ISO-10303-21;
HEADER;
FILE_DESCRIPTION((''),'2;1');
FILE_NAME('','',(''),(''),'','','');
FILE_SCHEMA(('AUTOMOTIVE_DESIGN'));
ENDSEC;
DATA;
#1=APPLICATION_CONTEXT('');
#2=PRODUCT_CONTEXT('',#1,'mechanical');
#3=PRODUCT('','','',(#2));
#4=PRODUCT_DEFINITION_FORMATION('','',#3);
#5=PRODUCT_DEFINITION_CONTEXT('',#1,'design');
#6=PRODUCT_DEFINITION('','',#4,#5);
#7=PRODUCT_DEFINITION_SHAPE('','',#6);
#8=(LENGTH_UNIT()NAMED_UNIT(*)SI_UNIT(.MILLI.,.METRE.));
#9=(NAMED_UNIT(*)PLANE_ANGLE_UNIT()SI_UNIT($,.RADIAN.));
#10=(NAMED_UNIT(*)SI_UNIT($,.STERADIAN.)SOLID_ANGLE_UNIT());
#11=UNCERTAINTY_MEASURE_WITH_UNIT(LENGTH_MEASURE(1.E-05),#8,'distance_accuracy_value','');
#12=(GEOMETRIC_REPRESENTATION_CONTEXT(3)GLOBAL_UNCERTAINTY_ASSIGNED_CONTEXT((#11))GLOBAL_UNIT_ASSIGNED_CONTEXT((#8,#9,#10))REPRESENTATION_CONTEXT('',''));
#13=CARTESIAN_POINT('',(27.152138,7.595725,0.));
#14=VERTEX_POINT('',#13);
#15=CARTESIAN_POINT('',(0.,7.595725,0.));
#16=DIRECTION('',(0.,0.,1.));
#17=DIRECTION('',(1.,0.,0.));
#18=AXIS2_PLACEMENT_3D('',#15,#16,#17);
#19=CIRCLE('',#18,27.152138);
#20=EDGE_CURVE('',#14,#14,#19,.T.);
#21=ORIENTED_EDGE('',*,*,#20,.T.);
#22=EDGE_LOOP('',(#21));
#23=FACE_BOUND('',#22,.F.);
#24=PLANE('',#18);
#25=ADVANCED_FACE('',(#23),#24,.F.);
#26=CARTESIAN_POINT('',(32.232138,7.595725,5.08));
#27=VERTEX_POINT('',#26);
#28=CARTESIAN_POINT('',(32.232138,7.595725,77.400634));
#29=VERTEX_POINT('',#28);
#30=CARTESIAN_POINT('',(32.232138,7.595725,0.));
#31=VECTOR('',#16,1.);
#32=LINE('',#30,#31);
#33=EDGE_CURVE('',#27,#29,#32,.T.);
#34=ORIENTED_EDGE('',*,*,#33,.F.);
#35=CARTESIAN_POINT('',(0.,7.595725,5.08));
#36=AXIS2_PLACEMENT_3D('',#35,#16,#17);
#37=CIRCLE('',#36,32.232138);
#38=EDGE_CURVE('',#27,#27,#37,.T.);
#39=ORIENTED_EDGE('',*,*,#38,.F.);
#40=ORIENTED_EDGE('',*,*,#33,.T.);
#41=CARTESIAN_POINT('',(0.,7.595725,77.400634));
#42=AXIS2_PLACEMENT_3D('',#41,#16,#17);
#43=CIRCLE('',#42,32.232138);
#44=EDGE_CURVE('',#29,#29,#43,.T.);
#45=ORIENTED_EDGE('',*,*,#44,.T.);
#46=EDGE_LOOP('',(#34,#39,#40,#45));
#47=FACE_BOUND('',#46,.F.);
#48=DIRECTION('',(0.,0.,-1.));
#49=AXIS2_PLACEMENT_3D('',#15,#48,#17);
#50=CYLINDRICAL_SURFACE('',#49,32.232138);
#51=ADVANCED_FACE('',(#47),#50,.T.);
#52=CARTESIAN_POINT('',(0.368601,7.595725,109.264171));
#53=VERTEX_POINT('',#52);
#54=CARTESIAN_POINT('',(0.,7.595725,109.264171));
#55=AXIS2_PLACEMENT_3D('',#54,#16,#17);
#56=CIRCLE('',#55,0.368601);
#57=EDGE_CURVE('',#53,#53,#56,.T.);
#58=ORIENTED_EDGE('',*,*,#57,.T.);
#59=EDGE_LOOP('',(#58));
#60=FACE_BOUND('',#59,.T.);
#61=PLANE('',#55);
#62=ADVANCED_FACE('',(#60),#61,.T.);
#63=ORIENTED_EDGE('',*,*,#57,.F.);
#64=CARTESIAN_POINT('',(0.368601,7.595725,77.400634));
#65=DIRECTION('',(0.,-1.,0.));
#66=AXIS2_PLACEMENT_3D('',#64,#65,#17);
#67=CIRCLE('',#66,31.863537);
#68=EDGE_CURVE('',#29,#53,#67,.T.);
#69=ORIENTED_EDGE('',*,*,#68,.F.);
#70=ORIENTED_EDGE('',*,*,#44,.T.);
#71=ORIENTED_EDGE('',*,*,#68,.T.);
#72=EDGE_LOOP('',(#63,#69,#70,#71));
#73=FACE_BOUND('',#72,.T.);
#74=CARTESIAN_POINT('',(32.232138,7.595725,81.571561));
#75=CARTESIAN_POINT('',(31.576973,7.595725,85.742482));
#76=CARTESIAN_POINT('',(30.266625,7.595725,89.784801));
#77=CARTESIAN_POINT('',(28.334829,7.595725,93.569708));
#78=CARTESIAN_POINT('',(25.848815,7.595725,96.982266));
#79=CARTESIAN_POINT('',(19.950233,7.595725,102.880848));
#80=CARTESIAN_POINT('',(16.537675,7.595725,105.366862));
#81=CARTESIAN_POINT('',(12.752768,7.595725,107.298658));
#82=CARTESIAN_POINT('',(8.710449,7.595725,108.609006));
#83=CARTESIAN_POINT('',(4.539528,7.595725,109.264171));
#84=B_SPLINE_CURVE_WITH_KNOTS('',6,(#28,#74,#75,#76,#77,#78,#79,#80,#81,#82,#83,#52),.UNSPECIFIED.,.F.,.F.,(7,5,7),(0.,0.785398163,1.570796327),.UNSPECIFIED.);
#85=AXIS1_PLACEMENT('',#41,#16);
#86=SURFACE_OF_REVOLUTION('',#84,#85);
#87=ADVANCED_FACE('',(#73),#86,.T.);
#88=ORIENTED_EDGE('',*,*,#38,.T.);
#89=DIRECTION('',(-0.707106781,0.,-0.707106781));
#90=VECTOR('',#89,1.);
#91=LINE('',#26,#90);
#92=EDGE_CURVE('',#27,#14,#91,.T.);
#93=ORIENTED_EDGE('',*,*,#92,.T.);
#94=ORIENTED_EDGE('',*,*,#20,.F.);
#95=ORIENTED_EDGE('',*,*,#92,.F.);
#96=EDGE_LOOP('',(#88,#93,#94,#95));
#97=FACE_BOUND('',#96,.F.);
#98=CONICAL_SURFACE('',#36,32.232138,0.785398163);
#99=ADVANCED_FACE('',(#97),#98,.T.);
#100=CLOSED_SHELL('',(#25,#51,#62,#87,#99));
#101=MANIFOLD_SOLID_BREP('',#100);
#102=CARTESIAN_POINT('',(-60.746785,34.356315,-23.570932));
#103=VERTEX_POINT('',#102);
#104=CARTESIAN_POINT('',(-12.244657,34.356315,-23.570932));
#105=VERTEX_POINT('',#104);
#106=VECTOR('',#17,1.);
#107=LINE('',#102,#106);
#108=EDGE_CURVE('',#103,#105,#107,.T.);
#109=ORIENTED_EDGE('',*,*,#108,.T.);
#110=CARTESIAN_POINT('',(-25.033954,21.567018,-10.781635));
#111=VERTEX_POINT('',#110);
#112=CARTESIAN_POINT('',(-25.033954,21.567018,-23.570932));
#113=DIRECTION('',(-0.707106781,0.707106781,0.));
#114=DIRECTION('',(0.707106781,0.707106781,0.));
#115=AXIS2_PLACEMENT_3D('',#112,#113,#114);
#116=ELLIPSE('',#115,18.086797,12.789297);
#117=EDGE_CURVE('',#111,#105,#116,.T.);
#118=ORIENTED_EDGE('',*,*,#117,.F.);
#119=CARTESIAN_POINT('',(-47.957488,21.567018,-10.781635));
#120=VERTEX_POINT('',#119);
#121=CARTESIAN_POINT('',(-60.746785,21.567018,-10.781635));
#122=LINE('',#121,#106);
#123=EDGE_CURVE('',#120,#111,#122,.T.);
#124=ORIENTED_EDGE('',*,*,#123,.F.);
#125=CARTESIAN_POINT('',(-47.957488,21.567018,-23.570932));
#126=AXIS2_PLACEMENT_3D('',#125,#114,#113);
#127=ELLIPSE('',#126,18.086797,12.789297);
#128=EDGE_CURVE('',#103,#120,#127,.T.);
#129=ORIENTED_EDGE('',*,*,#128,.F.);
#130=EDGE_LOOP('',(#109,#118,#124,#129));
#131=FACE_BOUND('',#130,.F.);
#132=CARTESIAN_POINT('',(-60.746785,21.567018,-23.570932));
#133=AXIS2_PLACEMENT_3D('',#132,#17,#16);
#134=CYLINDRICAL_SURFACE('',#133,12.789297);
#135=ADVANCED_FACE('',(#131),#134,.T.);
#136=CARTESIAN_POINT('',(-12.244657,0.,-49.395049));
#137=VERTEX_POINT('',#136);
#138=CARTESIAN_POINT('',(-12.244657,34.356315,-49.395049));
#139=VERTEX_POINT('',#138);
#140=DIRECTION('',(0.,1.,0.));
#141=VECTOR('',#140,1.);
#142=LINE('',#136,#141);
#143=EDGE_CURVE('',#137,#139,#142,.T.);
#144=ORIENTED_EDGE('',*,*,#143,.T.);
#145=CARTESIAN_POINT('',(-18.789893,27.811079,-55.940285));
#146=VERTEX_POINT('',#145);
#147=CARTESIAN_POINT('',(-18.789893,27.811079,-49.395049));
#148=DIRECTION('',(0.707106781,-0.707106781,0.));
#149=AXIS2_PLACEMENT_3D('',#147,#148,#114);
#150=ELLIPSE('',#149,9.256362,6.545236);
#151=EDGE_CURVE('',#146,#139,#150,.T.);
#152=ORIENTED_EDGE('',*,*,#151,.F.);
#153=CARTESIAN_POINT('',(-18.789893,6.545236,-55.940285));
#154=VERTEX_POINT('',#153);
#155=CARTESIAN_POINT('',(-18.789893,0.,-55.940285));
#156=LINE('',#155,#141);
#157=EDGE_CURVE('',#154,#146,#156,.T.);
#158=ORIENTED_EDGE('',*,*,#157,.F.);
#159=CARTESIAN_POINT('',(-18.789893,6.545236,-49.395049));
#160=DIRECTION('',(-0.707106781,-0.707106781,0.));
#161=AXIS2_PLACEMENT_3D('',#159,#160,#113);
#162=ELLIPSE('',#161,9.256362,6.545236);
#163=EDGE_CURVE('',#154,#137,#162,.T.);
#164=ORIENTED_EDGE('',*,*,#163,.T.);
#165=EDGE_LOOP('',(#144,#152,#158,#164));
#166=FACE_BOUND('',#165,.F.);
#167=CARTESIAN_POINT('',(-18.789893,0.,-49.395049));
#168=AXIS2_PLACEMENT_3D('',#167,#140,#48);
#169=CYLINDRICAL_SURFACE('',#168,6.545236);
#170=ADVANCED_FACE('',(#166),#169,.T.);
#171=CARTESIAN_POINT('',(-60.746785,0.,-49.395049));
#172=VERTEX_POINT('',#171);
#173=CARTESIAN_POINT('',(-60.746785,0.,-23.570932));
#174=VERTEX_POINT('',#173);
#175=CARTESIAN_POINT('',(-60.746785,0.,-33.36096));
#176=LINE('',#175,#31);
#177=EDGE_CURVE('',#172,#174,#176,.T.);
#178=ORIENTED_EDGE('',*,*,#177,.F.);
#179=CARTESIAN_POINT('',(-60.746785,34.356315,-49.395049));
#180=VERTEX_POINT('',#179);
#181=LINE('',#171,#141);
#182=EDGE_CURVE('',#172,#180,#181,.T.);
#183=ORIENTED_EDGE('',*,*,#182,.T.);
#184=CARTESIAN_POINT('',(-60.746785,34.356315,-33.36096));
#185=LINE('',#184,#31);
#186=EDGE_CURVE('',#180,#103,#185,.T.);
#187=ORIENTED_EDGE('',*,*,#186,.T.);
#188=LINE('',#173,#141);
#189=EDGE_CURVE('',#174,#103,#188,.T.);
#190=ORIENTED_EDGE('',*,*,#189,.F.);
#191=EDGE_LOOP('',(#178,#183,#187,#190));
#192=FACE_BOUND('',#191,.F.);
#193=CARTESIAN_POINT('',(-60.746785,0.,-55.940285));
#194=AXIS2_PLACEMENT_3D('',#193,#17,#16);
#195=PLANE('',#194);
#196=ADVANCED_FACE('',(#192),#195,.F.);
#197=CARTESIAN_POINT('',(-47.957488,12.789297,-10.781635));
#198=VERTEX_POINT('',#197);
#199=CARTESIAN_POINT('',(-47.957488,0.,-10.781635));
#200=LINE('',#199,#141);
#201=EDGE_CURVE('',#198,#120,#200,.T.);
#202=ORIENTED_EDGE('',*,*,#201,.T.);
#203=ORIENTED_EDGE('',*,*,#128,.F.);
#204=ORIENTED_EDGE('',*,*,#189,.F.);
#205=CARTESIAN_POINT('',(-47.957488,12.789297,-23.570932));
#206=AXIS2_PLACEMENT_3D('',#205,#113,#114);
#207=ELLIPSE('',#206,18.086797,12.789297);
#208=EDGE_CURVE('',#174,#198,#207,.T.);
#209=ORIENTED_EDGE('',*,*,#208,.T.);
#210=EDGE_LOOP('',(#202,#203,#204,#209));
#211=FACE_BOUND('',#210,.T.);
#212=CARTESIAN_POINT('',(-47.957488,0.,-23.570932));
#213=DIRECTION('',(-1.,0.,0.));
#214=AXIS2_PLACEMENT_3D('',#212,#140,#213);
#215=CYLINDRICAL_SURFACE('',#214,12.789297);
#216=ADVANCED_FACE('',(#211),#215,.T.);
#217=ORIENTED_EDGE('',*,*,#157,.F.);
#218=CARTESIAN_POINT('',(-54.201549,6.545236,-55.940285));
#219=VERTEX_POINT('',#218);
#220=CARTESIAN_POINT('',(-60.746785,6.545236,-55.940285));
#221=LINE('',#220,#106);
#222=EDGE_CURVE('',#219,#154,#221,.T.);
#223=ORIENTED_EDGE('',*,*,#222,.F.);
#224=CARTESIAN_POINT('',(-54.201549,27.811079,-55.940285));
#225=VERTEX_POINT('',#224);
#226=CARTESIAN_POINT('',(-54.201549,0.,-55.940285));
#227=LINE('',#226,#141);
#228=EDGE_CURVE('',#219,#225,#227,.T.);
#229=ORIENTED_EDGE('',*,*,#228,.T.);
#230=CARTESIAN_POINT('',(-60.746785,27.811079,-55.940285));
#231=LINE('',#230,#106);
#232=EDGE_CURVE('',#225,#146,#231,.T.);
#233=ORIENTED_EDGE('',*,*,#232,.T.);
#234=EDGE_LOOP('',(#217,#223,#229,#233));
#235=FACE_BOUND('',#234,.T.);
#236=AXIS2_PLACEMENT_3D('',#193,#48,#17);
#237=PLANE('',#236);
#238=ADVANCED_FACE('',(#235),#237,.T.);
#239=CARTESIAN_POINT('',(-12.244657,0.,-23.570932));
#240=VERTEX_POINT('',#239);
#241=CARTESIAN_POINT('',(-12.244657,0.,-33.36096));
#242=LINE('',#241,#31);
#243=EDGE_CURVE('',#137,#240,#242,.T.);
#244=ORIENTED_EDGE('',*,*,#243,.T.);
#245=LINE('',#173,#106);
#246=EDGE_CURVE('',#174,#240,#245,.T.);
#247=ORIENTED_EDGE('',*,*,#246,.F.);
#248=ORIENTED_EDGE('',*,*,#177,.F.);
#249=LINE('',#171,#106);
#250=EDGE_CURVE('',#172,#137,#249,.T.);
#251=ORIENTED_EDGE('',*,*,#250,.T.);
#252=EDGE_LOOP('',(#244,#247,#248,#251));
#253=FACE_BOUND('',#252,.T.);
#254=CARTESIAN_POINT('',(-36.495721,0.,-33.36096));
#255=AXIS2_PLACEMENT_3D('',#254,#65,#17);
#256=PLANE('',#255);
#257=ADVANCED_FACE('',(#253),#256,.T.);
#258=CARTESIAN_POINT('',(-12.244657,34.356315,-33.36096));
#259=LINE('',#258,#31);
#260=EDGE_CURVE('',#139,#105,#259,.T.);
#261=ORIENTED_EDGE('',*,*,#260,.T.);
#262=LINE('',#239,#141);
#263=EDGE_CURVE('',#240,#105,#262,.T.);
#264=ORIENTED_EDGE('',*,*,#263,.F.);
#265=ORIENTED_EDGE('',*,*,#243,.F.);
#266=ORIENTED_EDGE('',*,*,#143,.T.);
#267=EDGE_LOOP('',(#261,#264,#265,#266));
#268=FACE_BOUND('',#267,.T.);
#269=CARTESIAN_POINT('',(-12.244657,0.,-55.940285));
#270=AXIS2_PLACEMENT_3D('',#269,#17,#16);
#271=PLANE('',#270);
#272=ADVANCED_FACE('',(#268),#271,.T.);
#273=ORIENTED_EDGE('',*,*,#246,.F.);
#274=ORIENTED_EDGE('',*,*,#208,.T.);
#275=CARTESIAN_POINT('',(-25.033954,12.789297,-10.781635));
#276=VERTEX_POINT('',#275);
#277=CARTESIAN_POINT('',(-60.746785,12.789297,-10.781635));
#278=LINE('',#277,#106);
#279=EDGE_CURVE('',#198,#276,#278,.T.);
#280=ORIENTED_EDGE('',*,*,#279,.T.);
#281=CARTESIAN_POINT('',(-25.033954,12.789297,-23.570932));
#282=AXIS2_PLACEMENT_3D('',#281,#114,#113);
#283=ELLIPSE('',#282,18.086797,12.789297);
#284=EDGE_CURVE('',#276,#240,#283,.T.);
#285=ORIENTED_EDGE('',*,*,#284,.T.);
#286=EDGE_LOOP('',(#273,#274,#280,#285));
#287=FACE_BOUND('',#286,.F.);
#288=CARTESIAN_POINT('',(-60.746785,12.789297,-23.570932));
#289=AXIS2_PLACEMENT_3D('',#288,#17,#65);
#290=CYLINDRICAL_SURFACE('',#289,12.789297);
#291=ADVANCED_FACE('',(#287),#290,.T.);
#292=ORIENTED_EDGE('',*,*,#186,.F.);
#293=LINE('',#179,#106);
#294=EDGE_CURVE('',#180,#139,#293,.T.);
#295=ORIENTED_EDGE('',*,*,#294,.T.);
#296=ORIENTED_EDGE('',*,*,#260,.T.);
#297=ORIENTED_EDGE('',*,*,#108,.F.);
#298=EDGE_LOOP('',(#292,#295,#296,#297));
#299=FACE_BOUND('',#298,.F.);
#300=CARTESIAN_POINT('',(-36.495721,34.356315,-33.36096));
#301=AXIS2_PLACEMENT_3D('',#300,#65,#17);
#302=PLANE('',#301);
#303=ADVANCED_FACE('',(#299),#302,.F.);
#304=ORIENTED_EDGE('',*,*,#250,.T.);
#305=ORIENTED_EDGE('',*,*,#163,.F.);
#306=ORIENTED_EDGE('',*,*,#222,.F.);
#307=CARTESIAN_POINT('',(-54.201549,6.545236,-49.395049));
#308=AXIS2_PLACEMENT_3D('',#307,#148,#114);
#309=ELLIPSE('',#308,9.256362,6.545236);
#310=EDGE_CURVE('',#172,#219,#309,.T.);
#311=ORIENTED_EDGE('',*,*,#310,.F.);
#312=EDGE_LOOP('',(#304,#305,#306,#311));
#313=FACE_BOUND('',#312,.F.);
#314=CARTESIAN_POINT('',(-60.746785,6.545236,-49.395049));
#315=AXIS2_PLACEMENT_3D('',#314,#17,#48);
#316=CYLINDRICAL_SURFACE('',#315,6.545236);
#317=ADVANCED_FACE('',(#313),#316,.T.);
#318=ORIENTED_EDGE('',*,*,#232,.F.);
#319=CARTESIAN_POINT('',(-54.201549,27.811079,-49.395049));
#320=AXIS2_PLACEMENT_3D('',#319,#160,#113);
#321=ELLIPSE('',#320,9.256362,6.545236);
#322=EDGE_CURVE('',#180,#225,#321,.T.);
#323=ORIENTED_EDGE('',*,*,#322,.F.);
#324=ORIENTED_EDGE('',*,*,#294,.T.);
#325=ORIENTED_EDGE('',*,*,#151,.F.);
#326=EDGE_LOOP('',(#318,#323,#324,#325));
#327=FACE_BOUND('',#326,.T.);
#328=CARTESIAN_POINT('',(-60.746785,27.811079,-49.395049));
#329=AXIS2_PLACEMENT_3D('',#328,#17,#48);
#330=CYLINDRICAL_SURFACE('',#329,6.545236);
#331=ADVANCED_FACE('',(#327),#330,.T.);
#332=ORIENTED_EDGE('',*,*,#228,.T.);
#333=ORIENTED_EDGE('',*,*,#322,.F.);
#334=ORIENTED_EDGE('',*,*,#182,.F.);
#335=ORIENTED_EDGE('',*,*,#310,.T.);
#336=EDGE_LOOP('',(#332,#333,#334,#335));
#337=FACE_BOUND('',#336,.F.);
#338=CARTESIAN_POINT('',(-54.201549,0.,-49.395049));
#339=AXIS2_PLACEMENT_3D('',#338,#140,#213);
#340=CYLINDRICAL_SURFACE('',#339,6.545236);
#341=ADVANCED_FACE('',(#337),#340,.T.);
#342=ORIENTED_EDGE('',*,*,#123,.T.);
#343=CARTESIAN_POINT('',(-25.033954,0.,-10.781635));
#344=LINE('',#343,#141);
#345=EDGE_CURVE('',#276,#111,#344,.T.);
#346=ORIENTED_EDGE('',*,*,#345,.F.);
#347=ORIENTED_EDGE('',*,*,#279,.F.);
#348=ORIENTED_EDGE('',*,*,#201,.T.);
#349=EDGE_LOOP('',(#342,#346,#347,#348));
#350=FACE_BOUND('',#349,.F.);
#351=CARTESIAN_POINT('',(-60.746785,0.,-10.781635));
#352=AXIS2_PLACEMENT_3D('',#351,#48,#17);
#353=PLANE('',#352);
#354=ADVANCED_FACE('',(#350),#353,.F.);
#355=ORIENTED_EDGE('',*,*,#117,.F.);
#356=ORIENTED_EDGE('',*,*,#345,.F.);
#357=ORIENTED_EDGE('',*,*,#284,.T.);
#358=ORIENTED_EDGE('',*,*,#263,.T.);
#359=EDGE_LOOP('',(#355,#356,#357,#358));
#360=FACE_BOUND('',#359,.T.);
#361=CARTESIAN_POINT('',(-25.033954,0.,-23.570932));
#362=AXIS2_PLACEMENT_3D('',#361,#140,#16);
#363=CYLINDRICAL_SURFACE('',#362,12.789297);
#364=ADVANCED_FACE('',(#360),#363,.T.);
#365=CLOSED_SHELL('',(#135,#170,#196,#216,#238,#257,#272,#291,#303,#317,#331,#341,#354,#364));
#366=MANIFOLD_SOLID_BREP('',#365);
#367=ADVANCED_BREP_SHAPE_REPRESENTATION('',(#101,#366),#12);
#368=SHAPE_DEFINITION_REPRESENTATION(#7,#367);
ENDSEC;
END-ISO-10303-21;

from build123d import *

# Parameters (mm, degrees)
F0_R     = 32.232138
F1_DEPTH = 109.264171
F2_W     = 48.502128
F2_H     = 45.15865
F3_DEPTH = 34.356315
F4_R     = 6.545236
F5_R     = 12.789297
F6_R     = 31.863537
F7_SIZE  = 5.08


with BuildPart() as f1:
    # F0 (on Top) → F1 (new body)
    with BuildSketch(Plane.XY):
        with Locations((0, 7.595725)):
            Circle(F0_R)
    extrude(amount=F1_DEPTH)

    # F6
    f6_edges = [f1.edges().sort_by_distance(p)[0] for p in [
        (-32.232138, 7.595725, 109.264171),
    ]]
    fillet(f6_edges, radius=F6_R)

    # F7
    f7_edges = [f1.edges().sort_by_distance(p)[0] for p in [
        (-32.232138, 7.595725, 0),
    ]]
    chamfer(f7_edges, length=F7_SIZE)


with BuildPart() as f3:
    # F2 (on Front) → F3 (new body)
    with BuildSketch(Plane.XZ):
        with Locations((-36.495721, -33.36096)):
            Rectangle(F2_W, F2_H)
    extrude(amount=-F3_DEPTH)

    # F4
    f4_edges = [f3.edges().sort_by_distance(p)[0] for p in [
        (-60.746785, 17.178157, -55.940285),
        (-12.244657, 17.178157, -55.940285),
        (-36.495721, 0, -55.940285),
        (-36.495721, 34.356315, -55.940285),
    ]]
    fillet(f4_edges, radius=F4_R)

    # F5
    f5_edges = [f3.edges().sort_by_distance(p)[0] for p in [
        (-12.244657, 17.178157, -10.781635),
        (-60.746785, 17.178157, -10.781635),
        (-36.495721, 0, -10.781635),
        (-36.495721, 34.356315, -10.781635),
    ]]
    fillet(f5_edges, radius=F5_R)


solid = Compound([f1.part, f3.part])
